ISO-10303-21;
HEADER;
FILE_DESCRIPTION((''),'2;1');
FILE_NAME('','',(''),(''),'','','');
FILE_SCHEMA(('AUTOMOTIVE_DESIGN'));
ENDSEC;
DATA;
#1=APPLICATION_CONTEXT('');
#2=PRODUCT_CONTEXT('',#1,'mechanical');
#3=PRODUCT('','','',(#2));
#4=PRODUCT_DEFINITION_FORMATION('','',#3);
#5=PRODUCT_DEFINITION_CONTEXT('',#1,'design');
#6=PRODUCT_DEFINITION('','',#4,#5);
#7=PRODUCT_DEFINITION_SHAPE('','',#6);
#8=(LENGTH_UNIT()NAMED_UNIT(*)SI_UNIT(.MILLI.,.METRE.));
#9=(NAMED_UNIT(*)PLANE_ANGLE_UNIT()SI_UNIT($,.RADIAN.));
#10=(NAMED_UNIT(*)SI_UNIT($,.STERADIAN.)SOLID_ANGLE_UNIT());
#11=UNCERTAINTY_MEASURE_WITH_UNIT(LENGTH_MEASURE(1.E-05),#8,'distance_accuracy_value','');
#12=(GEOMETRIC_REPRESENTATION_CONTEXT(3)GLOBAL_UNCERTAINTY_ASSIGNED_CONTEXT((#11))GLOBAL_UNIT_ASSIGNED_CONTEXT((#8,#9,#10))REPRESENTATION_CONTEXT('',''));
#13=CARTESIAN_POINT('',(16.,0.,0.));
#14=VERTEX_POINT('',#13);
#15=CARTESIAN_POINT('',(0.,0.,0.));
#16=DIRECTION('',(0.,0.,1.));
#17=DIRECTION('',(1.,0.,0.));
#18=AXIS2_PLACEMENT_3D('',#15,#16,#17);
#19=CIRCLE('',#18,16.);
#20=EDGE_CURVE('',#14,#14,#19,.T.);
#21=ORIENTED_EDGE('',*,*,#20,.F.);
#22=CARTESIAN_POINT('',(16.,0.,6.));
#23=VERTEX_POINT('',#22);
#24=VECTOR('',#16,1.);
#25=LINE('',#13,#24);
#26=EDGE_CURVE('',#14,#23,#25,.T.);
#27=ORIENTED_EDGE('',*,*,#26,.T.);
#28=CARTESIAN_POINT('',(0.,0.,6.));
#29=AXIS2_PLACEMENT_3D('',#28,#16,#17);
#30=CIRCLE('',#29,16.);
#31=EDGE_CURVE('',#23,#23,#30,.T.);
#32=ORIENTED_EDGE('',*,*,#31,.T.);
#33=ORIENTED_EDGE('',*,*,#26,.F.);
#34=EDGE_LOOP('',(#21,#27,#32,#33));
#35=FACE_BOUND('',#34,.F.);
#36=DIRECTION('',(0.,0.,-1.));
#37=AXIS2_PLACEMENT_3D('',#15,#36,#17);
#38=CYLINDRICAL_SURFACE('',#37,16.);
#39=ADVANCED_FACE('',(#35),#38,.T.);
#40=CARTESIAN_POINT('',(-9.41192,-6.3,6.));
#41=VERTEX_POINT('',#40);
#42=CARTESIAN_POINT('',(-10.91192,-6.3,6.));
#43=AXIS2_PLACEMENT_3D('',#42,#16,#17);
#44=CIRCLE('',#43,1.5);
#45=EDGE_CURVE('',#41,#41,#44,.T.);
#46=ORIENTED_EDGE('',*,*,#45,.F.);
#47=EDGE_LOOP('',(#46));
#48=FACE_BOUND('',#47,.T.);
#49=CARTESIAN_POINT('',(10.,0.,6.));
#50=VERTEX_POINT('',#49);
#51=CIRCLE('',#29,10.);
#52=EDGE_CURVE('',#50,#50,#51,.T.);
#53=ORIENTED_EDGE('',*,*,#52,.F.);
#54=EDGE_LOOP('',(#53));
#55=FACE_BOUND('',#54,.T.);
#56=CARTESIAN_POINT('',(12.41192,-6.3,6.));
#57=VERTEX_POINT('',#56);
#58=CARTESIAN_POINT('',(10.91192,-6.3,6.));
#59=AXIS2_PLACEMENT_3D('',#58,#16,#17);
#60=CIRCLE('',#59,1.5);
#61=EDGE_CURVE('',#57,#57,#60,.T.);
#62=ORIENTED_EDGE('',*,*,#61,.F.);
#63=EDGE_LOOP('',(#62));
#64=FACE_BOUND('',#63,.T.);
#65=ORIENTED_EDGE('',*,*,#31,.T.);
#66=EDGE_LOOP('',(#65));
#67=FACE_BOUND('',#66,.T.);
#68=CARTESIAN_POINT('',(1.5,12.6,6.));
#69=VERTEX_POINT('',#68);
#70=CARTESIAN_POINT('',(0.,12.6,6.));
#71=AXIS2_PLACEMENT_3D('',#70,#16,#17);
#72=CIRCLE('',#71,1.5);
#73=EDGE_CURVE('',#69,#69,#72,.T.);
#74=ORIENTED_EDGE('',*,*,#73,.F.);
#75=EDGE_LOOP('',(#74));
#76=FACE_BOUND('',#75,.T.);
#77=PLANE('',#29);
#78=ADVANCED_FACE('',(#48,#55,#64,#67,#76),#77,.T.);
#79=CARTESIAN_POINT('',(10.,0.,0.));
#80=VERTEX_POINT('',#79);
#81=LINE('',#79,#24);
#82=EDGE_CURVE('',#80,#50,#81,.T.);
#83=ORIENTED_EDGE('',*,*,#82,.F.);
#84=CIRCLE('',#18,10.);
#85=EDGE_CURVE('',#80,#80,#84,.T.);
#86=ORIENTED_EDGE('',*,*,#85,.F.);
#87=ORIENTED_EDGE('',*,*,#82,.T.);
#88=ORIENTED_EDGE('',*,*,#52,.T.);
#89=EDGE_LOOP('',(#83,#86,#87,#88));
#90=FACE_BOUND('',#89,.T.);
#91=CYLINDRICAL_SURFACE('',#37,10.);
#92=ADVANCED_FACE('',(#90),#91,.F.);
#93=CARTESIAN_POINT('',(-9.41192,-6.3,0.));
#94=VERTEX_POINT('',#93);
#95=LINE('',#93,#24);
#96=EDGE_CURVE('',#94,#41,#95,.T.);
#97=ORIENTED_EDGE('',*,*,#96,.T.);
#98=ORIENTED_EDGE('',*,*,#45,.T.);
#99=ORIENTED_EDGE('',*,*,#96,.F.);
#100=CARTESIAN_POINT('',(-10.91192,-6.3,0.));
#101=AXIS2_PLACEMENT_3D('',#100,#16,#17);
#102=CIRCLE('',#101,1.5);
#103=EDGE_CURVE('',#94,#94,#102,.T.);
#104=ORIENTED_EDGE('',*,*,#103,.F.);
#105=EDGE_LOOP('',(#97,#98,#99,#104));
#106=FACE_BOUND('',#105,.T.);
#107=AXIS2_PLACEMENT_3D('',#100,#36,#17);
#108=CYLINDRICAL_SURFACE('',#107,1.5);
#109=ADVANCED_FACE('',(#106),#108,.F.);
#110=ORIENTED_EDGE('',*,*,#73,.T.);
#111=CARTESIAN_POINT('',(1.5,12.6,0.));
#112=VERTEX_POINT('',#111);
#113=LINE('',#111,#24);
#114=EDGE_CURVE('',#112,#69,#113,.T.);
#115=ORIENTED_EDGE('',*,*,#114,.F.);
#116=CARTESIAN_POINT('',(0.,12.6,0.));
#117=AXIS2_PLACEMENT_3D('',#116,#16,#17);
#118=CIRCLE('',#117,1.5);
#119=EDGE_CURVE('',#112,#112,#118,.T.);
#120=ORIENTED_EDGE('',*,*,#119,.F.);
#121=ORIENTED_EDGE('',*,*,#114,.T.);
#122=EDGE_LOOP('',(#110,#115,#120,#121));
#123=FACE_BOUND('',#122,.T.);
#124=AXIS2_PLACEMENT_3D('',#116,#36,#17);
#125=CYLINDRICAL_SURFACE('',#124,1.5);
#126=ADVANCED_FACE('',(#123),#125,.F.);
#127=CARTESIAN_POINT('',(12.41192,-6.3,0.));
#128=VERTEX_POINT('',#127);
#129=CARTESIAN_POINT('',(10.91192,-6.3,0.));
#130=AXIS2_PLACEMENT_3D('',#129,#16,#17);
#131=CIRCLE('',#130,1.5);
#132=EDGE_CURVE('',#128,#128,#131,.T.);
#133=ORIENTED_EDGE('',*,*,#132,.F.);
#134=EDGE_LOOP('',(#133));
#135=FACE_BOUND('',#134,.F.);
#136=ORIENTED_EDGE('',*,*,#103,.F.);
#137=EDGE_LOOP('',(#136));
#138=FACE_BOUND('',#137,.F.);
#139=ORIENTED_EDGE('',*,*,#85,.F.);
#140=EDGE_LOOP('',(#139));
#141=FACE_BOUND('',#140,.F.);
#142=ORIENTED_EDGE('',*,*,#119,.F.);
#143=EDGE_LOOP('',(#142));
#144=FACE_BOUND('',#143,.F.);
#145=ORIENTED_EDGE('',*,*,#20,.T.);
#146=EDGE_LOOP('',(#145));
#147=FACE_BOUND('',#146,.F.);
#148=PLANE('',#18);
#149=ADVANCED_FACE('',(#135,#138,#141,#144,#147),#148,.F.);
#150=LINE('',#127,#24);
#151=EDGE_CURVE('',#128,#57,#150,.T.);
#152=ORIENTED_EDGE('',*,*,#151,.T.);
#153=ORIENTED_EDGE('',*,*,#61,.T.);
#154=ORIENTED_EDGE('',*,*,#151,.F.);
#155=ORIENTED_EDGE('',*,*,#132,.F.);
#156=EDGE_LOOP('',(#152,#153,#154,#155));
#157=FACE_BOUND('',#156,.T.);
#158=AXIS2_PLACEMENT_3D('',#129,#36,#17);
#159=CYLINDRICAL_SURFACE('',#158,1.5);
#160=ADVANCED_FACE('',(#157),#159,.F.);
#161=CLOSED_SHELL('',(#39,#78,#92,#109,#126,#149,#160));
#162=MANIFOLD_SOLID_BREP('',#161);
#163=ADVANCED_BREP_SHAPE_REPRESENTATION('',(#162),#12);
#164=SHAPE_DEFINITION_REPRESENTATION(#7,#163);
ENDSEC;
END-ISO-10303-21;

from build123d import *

# Parameters (mm, degrees)
SKETCH_R   = 16
SKETCH_R_2 = 10
SKETCH_R_3 = 1.5
PAD_DEPTH  = 6


with BuildPart() as part:
    # Sketch → Pad (new body)
    with BuildSketch(Plane.XY):
        Circle(SKETCH_R)
        Circle(SKETCH_R_2, mode=Mode.SUBTRACT)
        with Locations((0, 12.6)):
            Circle(SKETCH_R_3, mode=Mode.SUBTRACT)
        with Locations((10.91192, -6.3)):
            Circle(SKETCH_R_3, mode=Mode.SUBTRACT)
        with Locations((-10.91192, -6.3)):
            Circle(SKETCH_R_3, mode=Mode.SUBTRACT)
    extrude(amount=PAD_DEPTH)


solid = part.part
